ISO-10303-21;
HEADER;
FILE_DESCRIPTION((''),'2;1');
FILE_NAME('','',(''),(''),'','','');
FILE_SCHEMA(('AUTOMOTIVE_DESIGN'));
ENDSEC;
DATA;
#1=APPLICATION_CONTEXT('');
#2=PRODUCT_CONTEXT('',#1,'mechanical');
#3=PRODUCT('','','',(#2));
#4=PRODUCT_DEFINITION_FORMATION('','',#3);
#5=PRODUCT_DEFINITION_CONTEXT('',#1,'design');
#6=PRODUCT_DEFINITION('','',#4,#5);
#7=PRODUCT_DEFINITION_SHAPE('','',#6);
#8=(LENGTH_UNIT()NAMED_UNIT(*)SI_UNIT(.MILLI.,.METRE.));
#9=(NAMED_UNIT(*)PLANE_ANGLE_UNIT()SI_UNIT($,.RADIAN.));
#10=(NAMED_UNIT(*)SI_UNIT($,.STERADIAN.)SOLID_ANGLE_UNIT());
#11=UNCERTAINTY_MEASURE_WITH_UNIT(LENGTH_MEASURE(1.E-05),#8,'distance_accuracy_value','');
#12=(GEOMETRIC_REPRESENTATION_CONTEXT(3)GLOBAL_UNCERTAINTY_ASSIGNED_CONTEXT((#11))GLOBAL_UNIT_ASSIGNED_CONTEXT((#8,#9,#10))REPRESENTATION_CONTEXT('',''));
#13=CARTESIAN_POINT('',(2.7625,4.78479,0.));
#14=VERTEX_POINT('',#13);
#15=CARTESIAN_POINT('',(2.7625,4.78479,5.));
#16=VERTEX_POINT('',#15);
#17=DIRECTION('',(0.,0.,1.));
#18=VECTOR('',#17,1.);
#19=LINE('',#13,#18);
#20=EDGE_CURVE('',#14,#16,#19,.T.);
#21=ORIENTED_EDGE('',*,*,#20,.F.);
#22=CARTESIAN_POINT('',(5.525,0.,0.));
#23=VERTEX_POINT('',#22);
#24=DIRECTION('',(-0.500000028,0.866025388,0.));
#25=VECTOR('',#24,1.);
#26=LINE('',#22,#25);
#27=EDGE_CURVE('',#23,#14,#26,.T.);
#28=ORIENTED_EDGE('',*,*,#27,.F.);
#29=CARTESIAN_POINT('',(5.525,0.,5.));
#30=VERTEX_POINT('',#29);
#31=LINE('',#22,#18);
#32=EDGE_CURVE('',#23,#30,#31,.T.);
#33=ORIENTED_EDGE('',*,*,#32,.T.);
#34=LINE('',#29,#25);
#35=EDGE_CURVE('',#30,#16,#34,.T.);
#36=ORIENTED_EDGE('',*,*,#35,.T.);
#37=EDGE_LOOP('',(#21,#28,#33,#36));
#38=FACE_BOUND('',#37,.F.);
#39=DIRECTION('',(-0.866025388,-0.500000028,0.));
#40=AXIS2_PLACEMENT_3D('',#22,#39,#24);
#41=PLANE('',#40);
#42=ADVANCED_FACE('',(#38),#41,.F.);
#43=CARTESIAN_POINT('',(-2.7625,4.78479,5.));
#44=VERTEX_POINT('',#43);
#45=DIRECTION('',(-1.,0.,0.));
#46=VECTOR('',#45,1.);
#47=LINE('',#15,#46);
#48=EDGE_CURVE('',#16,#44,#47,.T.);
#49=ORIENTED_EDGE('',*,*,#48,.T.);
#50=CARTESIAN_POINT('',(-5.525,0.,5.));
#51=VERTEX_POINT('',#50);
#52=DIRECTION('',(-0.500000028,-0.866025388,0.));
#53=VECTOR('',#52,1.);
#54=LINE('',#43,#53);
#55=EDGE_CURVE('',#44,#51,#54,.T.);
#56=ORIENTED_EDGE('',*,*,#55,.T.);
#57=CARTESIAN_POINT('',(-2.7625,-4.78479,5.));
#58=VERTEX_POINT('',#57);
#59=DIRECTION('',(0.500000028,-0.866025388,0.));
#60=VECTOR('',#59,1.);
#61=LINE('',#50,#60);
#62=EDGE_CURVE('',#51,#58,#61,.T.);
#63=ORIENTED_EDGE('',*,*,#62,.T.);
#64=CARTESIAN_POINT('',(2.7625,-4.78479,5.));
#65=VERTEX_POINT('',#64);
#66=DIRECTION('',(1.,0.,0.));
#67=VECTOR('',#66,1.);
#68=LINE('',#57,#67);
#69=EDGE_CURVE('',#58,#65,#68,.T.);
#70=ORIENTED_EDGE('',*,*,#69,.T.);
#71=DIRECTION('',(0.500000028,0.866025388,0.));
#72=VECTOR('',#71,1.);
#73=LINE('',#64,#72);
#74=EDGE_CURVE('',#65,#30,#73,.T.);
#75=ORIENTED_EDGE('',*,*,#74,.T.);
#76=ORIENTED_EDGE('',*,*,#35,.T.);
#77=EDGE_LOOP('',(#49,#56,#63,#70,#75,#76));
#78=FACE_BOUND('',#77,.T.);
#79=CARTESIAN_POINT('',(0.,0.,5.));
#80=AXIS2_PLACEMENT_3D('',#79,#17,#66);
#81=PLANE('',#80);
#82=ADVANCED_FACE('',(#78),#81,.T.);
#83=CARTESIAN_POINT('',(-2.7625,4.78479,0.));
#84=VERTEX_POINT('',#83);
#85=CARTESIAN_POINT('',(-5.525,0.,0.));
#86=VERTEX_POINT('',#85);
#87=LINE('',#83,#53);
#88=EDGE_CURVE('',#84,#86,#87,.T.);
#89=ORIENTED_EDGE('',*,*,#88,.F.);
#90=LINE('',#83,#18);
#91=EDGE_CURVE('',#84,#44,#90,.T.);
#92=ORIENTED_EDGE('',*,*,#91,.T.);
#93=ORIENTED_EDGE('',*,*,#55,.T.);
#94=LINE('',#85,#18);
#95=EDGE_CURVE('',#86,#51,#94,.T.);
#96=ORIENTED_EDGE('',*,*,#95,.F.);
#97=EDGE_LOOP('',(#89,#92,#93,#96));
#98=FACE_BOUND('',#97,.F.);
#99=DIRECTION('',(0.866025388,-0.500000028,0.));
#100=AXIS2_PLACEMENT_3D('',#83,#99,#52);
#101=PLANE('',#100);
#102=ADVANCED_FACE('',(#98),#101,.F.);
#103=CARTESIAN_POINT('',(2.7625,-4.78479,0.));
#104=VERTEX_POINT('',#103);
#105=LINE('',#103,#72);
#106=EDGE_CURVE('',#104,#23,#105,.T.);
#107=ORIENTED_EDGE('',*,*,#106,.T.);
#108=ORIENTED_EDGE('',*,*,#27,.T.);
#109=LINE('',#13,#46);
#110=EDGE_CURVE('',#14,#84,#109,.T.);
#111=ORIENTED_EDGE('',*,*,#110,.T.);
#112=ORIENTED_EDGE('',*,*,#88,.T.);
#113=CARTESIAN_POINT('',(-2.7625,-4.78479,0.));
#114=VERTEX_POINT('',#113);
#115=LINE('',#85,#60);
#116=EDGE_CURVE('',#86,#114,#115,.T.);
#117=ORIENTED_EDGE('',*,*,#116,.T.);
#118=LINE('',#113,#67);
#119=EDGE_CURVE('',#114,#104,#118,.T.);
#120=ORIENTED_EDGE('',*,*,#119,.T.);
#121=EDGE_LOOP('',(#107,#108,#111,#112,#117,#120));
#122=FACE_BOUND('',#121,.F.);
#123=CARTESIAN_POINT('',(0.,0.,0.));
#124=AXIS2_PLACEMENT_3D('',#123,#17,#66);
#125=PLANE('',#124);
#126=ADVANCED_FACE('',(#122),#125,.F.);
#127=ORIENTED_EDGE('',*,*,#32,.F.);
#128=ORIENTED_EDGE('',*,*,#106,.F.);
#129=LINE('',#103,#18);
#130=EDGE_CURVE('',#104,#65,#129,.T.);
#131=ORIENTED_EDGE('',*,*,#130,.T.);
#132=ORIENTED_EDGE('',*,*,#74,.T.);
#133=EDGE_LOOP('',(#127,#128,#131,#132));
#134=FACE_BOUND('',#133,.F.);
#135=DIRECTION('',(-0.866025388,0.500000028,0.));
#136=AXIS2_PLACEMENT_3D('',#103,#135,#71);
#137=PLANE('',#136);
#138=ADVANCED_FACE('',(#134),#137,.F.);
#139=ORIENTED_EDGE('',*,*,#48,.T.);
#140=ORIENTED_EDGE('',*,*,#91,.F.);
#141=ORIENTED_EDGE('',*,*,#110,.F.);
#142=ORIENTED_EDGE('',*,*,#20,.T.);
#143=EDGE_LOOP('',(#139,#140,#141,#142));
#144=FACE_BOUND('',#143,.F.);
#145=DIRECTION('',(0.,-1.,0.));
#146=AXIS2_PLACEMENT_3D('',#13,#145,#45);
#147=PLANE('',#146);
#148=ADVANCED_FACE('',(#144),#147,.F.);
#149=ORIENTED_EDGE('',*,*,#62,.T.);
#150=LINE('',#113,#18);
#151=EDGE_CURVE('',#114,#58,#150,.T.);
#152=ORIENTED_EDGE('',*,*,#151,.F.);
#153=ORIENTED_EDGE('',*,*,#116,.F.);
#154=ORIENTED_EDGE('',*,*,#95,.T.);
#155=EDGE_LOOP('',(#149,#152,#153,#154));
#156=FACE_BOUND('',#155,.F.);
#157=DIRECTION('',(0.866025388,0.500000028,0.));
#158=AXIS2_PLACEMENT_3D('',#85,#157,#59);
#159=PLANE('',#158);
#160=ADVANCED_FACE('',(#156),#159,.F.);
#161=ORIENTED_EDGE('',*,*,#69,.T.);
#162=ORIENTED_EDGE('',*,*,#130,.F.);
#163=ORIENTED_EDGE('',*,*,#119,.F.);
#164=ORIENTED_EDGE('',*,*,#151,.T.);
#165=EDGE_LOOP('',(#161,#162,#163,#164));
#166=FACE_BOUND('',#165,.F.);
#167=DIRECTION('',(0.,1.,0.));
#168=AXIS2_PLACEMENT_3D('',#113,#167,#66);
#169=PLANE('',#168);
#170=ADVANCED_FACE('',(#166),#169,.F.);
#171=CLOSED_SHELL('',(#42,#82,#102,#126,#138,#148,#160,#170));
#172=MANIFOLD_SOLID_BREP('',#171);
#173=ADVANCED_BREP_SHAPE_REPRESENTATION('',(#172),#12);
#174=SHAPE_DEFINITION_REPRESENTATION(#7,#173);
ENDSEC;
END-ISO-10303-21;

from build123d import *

# Parameters (mm, degrees)
EXTRUDE_DEPTH = 5


with BuildPart() as part:
    # Sketch → Extrude (new body)
    with BuildSketch(Plane.XY):
        Polygon((-5.525, 0), (-2.7625, -4.78479), (2.7625, -4.78479), (5.525, 0), (2.7625, 4.78479), (-2.7625, 4.78479), align=None)
    extrude(amount=EXTRUDE_DEPTH)


solid = part.part
